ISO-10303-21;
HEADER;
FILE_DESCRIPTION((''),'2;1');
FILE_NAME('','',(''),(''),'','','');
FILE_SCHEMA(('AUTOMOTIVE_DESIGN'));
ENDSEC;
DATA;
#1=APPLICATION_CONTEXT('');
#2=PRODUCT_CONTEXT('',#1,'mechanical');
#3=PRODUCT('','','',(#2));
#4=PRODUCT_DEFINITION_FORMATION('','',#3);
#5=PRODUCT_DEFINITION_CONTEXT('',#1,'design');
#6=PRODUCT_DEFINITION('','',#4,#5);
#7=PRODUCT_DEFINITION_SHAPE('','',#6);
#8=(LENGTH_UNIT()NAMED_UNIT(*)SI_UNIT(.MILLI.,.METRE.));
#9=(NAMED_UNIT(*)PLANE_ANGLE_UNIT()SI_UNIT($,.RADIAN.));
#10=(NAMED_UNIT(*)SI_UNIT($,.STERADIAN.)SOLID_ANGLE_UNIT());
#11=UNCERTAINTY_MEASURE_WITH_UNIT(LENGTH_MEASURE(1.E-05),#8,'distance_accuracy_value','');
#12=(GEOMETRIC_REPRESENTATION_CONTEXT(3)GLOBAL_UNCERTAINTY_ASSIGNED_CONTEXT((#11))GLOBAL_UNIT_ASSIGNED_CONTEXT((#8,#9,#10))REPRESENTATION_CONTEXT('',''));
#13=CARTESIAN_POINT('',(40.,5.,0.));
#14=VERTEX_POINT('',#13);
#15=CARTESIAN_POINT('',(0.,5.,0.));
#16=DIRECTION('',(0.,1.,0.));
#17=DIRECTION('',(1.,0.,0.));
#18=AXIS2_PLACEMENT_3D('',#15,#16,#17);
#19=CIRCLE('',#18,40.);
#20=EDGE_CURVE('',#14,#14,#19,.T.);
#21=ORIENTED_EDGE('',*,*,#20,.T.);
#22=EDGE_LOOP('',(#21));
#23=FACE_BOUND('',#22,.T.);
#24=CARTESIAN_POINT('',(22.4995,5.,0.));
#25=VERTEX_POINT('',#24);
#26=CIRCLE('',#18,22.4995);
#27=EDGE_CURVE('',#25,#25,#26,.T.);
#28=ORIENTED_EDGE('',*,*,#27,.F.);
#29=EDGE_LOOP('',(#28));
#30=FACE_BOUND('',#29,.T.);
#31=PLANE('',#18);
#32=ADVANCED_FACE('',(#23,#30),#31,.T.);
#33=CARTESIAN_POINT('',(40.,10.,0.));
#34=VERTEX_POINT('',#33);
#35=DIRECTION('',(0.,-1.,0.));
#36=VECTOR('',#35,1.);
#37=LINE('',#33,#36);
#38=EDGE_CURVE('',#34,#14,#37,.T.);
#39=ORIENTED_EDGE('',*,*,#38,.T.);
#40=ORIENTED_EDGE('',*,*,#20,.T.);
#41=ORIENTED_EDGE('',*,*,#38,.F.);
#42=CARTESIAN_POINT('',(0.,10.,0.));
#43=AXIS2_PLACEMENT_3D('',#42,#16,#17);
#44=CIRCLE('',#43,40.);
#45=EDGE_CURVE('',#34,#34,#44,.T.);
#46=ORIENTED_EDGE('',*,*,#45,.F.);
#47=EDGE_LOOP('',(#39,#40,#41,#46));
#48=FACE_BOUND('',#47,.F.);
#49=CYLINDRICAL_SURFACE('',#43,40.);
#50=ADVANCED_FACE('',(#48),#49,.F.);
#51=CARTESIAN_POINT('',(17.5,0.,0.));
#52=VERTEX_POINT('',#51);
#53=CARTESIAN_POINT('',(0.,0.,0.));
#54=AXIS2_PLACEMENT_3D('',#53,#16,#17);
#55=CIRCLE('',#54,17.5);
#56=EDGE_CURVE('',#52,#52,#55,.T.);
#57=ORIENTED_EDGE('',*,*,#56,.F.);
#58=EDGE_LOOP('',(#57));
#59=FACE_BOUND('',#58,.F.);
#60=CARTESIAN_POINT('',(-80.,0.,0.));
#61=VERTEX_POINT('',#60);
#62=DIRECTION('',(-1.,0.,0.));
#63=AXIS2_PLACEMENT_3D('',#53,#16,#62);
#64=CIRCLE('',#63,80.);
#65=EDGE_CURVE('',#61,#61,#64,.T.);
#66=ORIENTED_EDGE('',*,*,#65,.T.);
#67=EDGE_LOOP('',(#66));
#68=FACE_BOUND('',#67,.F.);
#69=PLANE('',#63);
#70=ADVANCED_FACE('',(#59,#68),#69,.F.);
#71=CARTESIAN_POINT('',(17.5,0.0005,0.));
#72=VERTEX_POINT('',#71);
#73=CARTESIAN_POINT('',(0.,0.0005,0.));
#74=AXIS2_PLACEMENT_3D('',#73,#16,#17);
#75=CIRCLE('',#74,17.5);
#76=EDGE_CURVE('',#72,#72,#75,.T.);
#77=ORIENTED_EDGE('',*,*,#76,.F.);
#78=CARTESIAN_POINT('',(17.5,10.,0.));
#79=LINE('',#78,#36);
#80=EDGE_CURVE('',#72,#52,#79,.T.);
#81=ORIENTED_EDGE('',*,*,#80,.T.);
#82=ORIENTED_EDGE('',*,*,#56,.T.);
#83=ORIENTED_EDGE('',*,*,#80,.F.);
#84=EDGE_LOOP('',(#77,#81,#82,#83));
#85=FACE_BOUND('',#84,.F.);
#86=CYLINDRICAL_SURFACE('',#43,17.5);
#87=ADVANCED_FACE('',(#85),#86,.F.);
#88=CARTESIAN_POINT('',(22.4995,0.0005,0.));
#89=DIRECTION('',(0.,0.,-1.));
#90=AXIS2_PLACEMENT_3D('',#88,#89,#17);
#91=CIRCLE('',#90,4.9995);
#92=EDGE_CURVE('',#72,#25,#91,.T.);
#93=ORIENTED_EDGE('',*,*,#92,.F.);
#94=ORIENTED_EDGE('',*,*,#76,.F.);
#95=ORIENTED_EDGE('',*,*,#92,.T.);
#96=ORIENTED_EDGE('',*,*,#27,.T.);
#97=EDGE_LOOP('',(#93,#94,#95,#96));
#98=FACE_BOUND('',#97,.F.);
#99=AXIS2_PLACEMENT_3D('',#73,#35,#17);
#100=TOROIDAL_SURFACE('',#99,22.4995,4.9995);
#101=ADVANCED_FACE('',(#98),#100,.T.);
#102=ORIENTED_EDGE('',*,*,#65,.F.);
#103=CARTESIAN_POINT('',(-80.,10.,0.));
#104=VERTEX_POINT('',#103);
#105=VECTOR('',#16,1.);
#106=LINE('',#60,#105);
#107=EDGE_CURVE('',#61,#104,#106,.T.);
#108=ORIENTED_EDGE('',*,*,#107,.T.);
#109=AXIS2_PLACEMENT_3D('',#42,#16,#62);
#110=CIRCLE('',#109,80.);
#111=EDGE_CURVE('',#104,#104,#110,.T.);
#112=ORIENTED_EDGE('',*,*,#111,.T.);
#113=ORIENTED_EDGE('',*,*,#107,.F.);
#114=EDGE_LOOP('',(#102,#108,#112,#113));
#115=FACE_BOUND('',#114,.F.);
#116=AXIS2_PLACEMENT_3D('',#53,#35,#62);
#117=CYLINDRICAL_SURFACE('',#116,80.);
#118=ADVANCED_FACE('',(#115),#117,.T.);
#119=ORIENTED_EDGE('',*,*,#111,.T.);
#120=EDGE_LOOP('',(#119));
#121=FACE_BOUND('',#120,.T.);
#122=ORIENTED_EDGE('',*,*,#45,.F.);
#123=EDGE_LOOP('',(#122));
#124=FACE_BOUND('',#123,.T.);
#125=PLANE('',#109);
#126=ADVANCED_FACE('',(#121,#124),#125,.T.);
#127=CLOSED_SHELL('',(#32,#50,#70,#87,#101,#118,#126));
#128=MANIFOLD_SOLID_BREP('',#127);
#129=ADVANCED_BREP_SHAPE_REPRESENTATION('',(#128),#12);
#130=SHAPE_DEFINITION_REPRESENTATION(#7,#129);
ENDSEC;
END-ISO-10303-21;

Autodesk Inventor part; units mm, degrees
ref_plane "YZ Plane" through (0, 0, 0) normal (1, 0, 0) x (0, 1, 0)
ref_plane "XZ Plane" through (0, 0, 0) normal (0, 1, 0) x (-1, 0, 0)
ref_plane "XY Plane" through (0, 0, 0) normal (0, 0, 1) x (1, 0, 0)
sketch "Sketch1" plane through (0, 0, 0) normal (0, 1, 0) x (-1, 0, 0)
  circle A0 centre (0, 0) radius 80
  dimension "d0" = 160
extrude "Extrusion1" add sketch "Sketch1" along normal blind 10
sketch "Sketch2" plane through (0, 10, 0) normal (0, 1, 0) x (1, 0, 0)
  circle A0 centre (0, 0) radius 17.5
  dimension "d5" = 35
extrude "Extrusion2" cut sketch "Sketch2" against normal blind 10
sketch "Sketch3" plane through (0, 10, 0) normal (0, 1, 0) x (1, 0, 0)
  circle A0 centre (0, 0) radius 40
  dimension "d8" = 80
extrude "Extrusion3" cut sketch "Sketch3" against normal blind 5
fillet "Fillet2" radius 5 1 edges at (-17.5, 5, 0)
properties part number "faceplate" material "Stainless Steel"
